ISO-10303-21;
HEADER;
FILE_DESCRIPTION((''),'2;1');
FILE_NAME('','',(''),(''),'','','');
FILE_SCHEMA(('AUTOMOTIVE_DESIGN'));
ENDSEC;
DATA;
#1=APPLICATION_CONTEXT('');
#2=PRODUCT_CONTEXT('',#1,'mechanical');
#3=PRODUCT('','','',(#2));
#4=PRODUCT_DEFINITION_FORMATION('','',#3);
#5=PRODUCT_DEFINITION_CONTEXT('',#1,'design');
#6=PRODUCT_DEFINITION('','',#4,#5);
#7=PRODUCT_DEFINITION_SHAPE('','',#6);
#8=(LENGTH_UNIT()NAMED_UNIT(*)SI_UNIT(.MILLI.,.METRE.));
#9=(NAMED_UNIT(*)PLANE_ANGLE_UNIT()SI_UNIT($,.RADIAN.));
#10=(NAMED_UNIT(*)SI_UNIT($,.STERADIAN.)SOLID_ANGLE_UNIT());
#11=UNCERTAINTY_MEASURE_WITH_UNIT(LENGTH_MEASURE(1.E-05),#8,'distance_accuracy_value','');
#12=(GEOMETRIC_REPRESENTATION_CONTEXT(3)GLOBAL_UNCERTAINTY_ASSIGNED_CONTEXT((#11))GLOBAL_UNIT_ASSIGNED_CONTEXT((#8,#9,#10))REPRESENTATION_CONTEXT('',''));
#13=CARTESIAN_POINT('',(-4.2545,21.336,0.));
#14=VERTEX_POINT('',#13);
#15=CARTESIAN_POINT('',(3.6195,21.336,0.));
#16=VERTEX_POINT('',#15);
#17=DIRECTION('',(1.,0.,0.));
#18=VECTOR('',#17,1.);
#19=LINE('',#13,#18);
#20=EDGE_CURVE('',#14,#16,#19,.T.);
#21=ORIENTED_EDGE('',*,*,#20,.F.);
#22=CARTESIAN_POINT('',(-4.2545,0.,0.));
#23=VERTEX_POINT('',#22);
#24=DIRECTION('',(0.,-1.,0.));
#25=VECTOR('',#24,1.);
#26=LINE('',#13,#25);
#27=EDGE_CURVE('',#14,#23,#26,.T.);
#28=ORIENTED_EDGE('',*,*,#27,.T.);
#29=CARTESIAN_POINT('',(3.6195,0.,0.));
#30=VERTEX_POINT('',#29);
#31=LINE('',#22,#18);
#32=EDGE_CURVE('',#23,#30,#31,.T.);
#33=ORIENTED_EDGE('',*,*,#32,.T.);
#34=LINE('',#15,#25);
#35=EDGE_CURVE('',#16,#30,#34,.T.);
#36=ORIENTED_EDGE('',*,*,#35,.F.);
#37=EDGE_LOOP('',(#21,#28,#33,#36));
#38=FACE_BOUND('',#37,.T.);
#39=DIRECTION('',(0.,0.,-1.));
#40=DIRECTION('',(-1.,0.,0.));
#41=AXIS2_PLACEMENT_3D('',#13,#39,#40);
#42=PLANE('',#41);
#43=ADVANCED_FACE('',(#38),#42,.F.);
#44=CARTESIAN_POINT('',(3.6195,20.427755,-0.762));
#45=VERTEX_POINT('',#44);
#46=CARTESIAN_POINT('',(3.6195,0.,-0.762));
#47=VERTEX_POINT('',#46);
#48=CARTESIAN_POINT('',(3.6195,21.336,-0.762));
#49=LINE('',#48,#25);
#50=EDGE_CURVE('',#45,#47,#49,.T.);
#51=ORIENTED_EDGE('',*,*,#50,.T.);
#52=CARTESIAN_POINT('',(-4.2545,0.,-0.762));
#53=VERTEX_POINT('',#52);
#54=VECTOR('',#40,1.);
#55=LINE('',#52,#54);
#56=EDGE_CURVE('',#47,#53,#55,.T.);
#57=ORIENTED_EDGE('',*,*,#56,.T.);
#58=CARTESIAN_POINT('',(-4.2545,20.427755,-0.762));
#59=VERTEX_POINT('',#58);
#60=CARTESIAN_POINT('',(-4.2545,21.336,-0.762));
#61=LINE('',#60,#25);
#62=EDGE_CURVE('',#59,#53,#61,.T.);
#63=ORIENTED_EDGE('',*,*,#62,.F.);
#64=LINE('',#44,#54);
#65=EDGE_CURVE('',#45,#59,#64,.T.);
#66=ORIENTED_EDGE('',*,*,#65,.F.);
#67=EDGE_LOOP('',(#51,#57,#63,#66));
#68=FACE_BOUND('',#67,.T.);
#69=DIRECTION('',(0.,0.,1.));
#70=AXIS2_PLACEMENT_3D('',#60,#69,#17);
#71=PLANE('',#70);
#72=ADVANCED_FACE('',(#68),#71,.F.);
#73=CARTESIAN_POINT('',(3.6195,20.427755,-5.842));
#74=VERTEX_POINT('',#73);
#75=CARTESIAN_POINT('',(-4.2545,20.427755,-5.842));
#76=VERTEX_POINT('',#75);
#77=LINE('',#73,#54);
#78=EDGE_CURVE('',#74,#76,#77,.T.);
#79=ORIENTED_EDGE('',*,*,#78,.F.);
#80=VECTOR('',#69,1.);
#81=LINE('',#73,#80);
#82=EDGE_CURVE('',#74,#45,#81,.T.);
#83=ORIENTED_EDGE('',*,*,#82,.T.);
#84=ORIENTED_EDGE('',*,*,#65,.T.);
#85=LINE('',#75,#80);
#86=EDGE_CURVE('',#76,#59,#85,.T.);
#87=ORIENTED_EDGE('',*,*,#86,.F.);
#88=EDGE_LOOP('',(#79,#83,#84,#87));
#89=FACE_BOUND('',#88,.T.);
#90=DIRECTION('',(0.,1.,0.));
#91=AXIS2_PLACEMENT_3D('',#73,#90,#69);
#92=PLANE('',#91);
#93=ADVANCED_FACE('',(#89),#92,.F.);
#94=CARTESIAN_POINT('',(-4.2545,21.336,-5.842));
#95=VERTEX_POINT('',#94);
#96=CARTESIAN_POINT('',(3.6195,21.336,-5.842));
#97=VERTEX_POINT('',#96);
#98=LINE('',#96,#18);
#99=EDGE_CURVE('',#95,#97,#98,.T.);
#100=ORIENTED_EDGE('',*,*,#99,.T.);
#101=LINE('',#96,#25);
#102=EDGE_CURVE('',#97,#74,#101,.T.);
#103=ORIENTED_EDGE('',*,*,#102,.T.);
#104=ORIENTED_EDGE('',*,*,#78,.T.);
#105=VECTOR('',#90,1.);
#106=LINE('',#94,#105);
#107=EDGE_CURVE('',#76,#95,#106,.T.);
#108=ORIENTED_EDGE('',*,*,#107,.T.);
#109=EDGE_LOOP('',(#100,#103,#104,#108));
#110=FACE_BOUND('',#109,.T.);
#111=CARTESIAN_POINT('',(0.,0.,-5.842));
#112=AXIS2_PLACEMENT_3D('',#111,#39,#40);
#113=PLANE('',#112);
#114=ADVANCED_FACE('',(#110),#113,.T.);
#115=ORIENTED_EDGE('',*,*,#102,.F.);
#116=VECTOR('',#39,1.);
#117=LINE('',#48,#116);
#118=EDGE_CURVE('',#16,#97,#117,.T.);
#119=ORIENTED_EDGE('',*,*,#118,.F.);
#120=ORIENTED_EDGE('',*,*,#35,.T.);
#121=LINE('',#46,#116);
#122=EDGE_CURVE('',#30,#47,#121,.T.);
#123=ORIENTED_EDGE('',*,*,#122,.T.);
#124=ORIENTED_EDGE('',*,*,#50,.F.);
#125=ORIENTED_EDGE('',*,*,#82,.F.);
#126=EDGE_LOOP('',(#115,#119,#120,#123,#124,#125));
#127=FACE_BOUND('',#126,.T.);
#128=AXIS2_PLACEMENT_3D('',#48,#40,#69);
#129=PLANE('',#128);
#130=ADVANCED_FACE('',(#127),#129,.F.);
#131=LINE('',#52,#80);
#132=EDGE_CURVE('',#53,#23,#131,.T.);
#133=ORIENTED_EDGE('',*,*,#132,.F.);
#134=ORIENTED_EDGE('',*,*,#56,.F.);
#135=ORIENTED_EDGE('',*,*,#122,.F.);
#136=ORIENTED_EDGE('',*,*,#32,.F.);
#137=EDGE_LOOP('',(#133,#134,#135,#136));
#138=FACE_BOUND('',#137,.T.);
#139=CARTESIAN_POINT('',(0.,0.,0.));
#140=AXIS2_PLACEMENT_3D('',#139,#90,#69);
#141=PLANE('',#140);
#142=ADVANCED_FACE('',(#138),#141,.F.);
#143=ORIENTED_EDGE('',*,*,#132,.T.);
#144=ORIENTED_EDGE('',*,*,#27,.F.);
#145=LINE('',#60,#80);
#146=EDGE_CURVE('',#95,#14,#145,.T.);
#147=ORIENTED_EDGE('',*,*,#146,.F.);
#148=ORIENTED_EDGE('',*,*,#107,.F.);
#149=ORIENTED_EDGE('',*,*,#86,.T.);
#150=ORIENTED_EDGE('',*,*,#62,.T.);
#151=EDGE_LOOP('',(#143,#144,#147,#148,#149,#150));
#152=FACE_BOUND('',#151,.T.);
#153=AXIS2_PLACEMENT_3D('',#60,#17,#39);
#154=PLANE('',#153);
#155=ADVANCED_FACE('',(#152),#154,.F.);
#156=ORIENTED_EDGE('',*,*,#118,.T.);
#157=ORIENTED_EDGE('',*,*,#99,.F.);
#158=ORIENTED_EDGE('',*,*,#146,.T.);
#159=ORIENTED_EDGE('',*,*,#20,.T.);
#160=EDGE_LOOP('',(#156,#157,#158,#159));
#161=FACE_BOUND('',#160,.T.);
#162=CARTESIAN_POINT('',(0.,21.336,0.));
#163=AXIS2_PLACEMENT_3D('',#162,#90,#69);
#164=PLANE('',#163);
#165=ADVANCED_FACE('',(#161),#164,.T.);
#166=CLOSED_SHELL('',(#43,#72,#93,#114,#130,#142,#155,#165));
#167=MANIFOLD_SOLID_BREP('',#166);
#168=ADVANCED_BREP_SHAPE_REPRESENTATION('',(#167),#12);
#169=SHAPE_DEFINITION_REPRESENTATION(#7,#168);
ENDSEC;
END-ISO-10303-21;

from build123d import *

# Parameters (mm, degrees)
SKETCH1_W           = 7.874
SKETCH1_H           = 0.762
BOSS_EXTRUDE1_DEPTH = 21.336
SKETCH2_W           = 7.874
SKETCH2_H           = 0.908244578
BOSS_EXTRUDE2_DEPTH = 5.08


with BuildPart() as part:
    # Sketch1 → Boss-Extrude1 (new body)
    with BuildSketch(Plane(origin=(0, 0, 0), x_dir=(1, 0, 0), z_dir=(0, 1, 0))):
        with Locations((-0.3175, 0.381)):
            Rectangle(SKETCH1_W, SKETCH1_H)
    extrude(amount=BOSS_EXTRUDE1_DEPTH)

    # Sketch2 → Boss-Extrude2 (add)
    with BuildSketch(Plane(origin=(0, 0, -0.762), x_dir=(-1, 0, 0), z_dir=(0, 0, -1))):
        with Locations((0.3175, 20.881877711)):
            Rectangle(SKETCH2_W, SKETCH2_H)
    extrude(amount=BOSS_EXTRUDE2_DEPTH)


solid = part.part
